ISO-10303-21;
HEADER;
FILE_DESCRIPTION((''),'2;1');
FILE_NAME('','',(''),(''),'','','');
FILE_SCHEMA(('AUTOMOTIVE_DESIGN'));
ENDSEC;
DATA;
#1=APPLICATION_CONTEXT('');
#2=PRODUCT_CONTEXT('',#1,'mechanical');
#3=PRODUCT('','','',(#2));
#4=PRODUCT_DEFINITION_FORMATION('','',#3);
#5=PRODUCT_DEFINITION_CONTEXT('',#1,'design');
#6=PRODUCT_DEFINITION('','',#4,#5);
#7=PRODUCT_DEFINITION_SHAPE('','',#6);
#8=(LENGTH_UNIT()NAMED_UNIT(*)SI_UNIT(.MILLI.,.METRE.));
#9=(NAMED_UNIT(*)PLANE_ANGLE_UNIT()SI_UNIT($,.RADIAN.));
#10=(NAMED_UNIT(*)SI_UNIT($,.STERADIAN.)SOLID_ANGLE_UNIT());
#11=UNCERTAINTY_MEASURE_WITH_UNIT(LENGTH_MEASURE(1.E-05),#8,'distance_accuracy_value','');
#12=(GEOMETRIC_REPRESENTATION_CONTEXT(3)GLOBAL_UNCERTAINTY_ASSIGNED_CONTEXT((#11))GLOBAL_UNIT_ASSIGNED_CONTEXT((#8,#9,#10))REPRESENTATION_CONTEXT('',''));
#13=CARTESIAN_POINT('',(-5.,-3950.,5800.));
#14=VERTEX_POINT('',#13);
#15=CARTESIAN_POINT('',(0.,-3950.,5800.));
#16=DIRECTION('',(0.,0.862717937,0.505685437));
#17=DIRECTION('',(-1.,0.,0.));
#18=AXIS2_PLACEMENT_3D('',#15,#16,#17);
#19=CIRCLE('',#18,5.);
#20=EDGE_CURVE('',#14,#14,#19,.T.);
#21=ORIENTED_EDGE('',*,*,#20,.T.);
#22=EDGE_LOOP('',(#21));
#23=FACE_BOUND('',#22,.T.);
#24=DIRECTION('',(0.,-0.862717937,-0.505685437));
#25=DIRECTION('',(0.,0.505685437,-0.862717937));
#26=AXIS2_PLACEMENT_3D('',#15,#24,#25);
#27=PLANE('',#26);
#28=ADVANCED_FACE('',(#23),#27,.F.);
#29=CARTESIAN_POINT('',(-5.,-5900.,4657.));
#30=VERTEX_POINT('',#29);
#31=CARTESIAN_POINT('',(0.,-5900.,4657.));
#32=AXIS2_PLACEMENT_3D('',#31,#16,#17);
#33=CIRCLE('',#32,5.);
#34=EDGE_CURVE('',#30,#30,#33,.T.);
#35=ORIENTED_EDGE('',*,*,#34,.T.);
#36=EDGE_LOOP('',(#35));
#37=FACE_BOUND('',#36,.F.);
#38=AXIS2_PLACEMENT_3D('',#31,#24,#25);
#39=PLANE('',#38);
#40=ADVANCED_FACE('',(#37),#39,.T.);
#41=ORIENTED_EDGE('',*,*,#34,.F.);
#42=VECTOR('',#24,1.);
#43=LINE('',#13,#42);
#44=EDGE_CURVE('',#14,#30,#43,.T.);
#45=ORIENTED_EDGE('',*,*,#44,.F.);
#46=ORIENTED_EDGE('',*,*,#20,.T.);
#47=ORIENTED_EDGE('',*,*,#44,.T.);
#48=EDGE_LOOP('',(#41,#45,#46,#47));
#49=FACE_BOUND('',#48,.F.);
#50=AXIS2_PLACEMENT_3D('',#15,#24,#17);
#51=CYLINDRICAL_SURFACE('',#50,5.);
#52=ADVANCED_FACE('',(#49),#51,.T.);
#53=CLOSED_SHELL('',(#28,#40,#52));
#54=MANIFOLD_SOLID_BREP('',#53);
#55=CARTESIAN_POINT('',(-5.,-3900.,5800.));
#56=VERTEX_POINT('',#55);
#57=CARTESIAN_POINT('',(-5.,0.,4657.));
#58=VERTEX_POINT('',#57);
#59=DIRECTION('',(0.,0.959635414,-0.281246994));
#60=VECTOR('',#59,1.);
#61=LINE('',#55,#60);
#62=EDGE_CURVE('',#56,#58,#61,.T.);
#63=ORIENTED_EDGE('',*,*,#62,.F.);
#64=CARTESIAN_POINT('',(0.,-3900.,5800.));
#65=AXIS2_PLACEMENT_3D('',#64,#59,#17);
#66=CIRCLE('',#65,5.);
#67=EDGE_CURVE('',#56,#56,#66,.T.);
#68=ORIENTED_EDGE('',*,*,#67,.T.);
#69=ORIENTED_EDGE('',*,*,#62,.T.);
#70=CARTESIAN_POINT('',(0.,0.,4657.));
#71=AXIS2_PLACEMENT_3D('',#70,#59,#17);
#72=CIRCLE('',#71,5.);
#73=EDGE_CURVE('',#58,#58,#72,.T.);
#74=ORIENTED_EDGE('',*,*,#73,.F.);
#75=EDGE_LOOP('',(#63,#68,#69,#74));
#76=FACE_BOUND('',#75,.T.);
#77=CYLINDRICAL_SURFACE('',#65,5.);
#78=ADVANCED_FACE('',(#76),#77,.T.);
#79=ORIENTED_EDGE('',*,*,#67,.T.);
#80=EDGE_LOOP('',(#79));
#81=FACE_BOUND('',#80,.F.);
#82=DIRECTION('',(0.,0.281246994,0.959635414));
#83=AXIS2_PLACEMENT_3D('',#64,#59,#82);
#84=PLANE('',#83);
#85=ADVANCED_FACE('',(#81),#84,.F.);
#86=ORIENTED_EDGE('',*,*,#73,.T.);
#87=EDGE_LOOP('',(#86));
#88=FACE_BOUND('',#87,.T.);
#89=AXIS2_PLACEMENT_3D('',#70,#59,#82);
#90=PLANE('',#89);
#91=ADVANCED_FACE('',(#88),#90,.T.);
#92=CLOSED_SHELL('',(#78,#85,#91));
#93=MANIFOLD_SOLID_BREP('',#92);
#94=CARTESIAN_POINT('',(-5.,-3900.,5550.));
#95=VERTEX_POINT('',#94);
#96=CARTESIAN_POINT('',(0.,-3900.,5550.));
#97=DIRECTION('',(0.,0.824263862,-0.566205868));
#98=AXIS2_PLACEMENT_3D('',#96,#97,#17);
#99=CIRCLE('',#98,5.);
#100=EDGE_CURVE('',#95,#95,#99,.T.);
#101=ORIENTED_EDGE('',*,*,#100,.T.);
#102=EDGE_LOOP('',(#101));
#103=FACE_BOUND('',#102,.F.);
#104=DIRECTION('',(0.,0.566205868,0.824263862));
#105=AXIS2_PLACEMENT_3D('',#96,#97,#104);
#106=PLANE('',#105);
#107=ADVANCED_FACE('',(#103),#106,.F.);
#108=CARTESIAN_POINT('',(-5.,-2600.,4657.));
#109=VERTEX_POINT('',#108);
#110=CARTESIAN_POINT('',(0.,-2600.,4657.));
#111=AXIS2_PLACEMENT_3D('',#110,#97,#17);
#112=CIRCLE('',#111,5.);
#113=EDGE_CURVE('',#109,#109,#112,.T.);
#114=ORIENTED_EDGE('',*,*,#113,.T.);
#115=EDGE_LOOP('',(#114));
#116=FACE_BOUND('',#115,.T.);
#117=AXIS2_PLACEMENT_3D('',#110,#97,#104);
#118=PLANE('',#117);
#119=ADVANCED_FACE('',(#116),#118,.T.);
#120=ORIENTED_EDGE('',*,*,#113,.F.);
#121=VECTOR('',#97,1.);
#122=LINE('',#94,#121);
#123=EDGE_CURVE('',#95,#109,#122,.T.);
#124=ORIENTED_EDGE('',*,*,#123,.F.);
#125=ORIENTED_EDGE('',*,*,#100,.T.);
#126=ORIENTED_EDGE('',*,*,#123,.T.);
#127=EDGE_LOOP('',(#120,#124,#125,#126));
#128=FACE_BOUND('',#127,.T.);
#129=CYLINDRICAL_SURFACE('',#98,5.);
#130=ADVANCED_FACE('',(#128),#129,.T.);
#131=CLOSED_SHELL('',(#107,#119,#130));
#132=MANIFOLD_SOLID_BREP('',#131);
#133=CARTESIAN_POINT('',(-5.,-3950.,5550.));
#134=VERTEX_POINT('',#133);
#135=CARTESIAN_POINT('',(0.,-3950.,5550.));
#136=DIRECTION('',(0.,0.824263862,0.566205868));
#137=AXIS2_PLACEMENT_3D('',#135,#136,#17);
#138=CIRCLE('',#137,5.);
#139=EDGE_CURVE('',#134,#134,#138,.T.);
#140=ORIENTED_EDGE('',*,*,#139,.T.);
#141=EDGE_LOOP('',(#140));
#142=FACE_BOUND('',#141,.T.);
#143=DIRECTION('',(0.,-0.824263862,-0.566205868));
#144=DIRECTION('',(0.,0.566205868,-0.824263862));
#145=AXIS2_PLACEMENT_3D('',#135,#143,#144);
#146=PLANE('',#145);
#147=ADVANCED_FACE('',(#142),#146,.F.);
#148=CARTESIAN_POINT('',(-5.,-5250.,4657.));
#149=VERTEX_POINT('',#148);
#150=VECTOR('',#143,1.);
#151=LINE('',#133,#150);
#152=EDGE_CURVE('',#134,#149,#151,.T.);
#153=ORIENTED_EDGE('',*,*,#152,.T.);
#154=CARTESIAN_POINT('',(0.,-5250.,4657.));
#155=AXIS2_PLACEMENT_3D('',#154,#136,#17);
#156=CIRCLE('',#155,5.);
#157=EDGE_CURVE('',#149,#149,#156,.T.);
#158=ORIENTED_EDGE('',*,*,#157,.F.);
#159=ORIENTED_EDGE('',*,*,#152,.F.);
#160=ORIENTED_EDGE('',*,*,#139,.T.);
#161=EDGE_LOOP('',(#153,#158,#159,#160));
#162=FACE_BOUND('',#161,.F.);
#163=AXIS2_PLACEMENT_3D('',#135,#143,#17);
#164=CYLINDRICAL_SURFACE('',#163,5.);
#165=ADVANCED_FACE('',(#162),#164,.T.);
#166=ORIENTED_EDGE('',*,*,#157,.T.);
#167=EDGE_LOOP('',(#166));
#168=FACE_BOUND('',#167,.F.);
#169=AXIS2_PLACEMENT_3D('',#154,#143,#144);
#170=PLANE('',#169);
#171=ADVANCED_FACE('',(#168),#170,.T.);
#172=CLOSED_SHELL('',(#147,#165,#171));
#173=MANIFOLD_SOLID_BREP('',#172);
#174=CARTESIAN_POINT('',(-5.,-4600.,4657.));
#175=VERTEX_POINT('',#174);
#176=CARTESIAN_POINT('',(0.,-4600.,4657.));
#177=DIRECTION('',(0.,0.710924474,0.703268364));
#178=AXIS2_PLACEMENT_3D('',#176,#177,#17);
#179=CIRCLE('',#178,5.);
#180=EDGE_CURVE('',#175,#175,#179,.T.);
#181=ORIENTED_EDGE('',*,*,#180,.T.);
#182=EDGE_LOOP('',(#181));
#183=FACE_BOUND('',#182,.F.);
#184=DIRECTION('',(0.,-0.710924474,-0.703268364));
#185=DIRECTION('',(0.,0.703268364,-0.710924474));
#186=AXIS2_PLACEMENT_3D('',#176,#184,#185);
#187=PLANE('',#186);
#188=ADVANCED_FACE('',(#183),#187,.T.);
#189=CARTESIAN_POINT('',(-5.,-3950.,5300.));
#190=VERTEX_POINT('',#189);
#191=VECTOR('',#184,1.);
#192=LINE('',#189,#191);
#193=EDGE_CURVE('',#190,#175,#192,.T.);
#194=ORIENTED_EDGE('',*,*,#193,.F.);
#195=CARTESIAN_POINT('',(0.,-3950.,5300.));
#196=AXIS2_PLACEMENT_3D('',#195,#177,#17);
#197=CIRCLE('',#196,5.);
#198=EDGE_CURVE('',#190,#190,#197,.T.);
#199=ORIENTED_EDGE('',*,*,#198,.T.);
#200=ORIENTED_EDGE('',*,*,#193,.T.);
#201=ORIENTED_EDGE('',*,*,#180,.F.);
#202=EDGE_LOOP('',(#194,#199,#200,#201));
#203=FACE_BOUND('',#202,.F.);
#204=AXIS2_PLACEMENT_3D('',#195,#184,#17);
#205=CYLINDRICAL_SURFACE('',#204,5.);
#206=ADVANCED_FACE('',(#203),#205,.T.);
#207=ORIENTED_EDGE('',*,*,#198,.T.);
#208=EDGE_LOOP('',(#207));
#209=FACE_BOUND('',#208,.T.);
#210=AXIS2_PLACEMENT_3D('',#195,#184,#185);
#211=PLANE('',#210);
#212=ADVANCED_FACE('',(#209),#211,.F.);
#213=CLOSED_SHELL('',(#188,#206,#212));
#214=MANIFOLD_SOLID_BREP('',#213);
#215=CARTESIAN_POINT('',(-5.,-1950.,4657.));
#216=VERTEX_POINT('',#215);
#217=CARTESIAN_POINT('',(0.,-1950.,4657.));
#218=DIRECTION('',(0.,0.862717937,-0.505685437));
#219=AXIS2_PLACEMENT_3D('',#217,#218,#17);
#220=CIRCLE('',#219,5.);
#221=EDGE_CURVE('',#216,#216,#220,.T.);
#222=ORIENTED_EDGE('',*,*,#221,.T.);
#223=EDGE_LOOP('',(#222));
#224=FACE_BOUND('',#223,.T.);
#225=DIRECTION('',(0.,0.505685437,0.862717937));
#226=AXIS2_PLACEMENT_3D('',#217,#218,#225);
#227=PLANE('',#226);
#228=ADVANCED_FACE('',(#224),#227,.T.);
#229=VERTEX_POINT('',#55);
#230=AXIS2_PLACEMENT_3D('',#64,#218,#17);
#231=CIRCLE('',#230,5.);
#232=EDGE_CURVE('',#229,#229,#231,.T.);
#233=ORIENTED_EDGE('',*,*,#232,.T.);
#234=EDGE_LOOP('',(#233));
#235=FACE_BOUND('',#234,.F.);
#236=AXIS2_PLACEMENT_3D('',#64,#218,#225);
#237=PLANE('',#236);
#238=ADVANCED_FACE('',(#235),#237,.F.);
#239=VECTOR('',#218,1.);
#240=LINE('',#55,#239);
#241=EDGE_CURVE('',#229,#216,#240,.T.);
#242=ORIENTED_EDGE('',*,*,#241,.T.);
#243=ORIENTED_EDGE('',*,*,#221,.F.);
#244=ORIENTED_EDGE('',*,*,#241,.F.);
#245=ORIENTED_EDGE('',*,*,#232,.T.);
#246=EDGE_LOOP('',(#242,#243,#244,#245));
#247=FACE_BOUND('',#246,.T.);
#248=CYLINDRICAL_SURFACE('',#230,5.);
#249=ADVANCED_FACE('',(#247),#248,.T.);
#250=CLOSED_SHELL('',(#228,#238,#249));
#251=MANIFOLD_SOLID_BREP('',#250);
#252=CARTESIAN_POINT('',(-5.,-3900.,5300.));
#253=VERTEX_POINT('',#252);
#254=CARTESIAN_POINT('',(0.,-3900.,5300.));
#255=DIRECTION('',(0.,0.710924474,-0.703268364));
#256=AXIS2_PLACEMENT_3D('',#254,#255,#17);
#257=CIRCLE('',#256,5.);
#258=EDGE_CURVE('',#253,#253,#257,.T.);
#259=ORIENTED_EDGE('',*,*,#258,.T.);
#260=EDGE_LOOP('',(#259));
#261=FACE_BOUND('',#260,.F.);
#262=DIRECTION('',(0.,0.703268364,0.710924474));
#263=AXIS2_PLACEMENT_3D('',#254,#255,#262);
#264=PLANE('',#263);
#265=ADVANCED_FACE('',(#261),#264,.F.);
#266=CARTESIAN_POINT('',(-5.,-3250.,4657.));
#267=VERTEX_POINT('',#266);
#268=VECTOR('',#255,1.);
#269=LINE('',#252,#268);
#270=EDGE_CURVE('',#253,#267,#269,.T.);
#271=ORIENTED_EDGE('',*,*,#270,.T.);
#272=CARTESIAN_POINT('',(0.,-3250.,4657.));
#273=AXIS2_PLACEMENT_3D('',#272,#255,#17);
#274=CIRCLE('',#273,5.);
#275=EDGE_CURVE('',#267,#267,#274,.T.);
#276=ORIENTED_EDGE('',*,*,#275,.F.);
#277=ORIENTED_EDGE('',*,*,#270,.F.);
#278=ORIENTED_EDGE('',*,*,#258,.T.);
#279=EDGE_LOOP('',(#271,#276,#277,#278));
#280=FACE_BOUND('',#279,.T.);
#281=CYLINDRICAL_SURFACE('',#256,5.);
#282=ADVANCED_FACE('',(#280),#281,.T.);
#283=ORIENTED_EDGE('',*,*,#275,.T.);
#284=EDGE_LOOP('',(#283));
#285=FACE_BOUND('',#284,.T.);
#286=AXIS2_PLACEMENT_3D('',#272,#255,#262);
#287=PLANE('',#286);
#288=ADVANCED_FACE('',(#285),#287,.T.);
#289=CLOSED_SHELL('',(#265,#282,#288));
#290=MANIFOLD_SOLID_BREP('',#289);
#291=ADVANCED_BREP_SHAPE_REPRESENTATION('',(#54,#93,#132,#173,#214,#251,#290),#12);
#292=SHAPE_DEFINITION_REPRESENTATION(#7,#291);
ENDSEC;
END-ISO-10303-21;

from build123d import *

# Parameters (mm, degrees)
F9_R  = 5
F12_R = 5
F15_R = 5
F18_R = 5


with BuildPart() as f10:
    # F10: sweep along a path in F7
    with BuildLine(Plane(origin=(0, 0, 0), x_dir=(0, -1, 0), z_dir=(-1, 0, 0))) as f10_path:
        Line((3900, 5800), (1950, 4657))
    # F9 (on line) → F10 (sweep)
    with BuildSketch(Plane(origin=(0, -5433.0313338419, 3184.5922126058), x_dir=(-1, 0, 0), z_dir=(0, 0.862717937, -0.5056854369))):
        with Locations((0, 3031.5908307196)):
            Circle(F9_R)
    sweep(path=f10_path.line)


with BuildPart() as f13:
    # F13: sweep along a path in F7
    with BuildLine(Plane(origin=(0, 0, 0), x_dir=(0, -1, 0), z_dir=(-1, 0, 0))) as f13_path:
        Line((3900, 5800), (0, 4657))
    # F12 (on line) → F13 (sweep)
    with BuildSketch(Plane(origin=(0, -5156.8990404657, 1511.368103398), x_dir=(-1, 0, 0), z_dir=(0, 0.9596354142, -0.2812469945))):
        with Locations((0, 4469.0221237398)):
            Circle(F12_R)
    sweep(path=f13_path.line)


with BuildPart() as f16:
    # F16: sweep along a path in F7
    with BuildLine(Plane(origin=(0, 0, 0), x_dir=(0, -1, 0), z_dir=(-1, 0, 0))) as f16_path:
        Line((3900, 5550), (2600, 4657))
    # F15 (on line) → F16 (sweep)
    with BuildSketch(Plane(origin=(0, -5239.9044161307, 3599.4112643113), x_dir=(-1, 0, 0), z_dir=(0, 0.8242638622, -0.5662058684))):
        with Locations((0, 2366.4615484225)):
            Circle(F15_R)
    sweep(path=f16_path.line)


with BuildPart() as f19:
    # F19: sweep along a path in F7
    with BuildLine(Plane(origin=(0, 0, 0), x_dir=(0, -1, 0), z_dir=(-1, 0, 0))) as f19_path:
        Line((3900, 5300), (3250, 4657))
    # F18 (on line) → F19 (sweep)
    with BuildSketch(Plane(origin=(0, -4620.9577378524, 4571.1935775986), x_dir=(-1, 0, 0), z_dir=(0, 0.710924474, -0.7032683643))):
        with Locations((0, 1025.1530915443)):
            Circle(F18_R)
    sweep(path=f19_path.line)


with BuildPart() as f21_1:
    # F21: instance of F19
    add(f19.part.mirror(Plane.XZ.offset(3925)))


with BuildPart() as f21_2:
    # F21: instance of F16
    add(f16.part.mirror(Plane.XZ.offset(3925)))


with BuildPart() as f21_3:
    # F21: instance of F10
    add(f10.part.mirror(Plane.XZ.offset(3925)))


solid = Compound([f10.part, f13.part, f16.part, f19.part, f21_1.part, f21_2.part, f21_3.part])
